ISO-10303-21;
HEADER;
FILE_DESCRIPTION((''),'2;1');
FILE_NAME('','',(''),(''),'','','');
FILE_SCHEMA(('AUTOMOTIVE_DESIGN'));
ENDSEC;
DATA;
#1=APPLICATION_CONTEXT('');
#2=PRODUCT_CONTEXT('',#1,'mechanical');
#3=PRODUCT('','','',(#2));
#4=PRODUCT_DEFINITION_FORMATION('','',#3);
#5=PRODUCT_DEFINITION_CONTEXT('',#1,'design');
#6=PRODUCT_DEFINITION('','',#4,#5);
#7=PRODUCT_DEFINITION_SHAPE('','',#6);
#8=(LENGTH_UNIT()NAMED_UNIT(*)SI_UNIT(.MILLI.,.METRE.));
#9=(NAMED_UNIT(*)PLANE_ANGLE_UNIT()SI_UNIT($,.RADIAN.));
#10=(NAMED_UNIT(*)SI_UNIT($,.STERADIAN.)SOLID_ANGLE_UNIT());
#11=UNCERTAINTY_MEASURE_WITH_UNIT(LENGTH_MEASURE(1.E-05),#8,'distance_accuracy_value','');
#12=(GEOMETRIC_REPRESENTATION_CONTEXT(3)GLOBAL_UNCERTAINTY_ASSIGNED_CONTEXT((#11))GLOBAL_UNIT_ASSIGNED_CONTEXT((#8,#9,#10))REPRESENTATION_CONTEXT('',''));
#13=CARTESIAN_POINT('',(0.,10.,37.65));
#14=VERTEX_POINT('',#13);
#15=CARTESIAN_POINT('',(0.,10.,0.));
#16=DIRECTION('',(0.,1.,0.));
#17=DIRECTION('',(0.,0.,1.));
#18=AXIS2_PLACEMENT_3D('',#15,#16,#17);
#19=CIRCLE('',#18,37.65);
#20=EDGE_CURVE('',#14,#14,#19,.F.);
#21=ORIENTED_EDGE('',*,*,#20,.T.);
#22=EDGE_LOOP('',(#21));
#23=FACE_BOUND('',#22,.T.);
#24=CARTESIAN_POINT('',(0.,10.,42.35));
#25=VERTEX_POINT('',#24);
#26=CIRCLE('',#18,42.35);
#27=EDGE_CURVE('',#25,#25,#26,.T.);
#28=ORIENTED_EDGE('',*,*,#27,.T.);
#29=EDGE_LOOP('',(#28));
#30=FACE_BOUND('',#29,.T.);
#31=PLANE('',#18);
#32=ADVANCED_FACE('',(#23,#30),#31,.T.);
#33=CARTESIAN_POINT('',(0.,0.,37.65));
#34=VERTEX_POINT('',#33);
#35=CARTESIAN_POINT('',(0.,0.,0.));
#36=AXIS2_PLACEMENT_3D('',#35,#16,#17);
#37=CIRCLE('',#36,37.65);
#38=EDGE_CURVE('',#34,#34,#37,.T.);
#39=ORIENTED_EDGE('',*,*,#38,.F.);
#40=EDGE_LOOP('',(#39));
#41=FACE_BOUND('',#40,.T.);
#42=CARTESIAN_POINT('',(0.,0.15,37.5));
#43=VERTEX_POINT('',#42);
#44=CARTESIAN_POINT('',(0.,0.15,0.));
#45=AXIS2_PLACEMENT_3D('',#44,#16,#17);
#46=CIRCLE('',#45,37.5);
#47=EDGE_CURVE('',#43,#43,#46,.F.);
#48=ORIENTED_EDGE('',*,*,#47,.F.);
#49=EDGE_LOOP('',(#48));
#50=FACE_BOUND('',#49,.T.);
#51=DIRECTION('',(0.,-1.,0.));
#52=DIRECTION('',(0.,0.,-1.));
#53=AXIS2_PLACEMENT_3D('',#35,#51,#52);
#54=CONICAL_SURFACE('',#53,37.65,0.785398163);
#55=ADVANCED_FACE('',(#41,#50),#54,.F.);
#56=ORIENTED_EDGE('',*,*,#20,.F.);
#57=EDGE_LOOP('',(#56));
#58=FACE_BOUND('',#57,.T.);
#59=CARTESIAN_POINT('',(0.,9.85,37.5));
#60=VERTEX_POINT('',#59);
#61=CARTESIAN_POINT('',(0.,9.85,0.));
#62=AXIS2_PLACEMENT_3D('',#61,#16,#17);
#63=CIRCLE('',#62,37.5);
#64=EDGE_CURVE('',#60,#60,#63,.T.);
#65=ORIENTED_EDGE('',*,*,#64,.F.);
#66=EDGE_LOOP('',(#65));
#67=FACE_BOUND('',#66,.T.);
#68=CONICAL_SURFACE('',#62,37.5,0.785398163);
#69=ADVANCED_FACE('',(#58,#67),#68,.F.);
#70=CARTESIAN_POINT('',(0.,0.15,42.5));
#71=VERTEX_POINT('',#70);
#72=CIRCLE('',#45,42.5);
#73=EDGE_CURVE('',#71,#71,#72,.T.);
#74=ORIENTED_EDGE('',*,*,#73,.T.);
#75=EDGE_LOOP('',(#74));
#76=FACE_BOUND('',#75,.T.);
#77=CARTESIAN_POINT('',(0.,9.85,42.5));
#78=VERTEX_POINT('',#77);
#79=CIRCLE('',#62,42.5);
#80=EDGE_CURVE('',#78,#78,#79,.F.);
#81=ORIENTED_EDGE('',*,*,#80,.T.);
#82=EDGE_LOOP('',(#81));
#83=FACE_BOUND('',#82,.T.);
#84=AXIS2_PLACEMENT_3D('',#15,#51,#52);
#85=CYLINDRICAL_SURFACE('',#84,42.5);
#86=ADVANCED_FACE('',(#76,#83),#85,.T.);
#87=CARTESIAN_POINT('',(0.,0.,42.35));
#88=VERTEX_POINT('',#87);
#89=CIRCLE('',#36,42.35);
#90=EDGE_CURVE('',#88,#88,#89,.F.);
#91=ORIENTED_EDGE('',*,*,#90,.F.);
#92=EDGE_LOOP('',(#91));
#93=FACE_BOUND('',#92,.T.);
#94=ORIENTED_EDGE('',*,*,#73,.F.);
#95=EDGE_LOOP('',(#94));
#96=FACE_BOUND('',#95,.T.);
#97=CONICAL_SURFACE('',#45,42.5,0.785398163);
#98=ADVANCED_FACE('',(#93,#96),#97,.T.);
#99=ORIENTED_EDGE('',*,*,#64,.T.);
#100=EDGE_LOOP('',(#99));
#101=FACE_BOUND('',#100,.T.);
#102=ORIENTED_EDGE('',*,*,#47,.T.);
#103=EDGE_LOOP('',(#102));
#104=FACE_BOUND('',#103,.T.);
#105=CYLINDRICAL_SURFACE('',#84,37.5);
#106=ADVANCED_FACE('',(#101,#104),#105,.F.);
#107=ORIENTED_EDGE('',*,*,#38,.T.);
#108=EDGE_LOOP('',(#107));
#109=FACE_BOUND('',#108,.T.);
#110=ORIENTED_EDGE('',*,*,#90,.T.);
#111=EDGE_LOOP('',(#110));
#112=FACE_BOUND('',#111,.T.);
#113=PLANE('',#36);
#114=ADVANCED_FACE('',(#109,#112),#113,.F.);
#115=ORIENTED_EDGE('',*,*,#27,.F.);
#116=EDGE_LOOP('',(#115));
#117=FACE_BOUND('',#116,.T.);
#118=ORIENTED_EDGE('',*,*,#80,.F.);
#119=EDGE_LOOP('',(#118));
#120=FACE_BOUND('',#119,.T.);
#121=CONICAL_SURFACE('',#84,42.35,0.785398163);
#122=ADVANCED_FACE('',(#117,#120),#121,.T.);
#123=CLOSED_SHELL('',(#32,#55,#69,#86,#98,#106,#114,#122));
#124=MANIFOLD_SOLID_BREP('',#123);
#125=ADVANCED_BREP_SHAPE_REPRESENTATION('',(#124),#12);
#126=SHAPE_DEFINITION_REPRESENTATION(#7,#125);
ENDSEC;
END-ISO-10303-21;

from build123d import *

# Parameters (mm, degrees)
SKETCH1_R           = 42.5
SKETCH1_R_2         = 37.5
BOSS_EXTRUDE1_DEPTH = 10
CHAMFER1_SIZE       = 0.15


with BuildPart() as part:
    # Sketch1 → Boss-Extrude1 (new body)
    with BuildSketch(Plane(origin=(0, 0, 0), x_dir=(1, 0, 0), z_dir=(0, 1, 0))):
        with Locations(Location((0, 0, 0), (0, 0, 270))):
            Circle(SKETCH1_R)
        with Locations(Location((0, 0, 0), (0, 0, 270))):
            Circle(SKETCH1_R_2, mode=Mode.SUBTRACT)
    extrude(amount=BOSS_EXTRUDE1_DEPTH)

    # Chamfer1
    chamfer1_edges = [part.edges().sort_by_distance(p)[0] for p in [
        (0, 0, -42.5),
        (0, 10, -42.5),
        (0, 0, -37.5),
        (0, 10, -37.5),
    ]]
    chamfer(chamfer1_edges, length=CHAMFER1_SIZE)


solid = part.part
